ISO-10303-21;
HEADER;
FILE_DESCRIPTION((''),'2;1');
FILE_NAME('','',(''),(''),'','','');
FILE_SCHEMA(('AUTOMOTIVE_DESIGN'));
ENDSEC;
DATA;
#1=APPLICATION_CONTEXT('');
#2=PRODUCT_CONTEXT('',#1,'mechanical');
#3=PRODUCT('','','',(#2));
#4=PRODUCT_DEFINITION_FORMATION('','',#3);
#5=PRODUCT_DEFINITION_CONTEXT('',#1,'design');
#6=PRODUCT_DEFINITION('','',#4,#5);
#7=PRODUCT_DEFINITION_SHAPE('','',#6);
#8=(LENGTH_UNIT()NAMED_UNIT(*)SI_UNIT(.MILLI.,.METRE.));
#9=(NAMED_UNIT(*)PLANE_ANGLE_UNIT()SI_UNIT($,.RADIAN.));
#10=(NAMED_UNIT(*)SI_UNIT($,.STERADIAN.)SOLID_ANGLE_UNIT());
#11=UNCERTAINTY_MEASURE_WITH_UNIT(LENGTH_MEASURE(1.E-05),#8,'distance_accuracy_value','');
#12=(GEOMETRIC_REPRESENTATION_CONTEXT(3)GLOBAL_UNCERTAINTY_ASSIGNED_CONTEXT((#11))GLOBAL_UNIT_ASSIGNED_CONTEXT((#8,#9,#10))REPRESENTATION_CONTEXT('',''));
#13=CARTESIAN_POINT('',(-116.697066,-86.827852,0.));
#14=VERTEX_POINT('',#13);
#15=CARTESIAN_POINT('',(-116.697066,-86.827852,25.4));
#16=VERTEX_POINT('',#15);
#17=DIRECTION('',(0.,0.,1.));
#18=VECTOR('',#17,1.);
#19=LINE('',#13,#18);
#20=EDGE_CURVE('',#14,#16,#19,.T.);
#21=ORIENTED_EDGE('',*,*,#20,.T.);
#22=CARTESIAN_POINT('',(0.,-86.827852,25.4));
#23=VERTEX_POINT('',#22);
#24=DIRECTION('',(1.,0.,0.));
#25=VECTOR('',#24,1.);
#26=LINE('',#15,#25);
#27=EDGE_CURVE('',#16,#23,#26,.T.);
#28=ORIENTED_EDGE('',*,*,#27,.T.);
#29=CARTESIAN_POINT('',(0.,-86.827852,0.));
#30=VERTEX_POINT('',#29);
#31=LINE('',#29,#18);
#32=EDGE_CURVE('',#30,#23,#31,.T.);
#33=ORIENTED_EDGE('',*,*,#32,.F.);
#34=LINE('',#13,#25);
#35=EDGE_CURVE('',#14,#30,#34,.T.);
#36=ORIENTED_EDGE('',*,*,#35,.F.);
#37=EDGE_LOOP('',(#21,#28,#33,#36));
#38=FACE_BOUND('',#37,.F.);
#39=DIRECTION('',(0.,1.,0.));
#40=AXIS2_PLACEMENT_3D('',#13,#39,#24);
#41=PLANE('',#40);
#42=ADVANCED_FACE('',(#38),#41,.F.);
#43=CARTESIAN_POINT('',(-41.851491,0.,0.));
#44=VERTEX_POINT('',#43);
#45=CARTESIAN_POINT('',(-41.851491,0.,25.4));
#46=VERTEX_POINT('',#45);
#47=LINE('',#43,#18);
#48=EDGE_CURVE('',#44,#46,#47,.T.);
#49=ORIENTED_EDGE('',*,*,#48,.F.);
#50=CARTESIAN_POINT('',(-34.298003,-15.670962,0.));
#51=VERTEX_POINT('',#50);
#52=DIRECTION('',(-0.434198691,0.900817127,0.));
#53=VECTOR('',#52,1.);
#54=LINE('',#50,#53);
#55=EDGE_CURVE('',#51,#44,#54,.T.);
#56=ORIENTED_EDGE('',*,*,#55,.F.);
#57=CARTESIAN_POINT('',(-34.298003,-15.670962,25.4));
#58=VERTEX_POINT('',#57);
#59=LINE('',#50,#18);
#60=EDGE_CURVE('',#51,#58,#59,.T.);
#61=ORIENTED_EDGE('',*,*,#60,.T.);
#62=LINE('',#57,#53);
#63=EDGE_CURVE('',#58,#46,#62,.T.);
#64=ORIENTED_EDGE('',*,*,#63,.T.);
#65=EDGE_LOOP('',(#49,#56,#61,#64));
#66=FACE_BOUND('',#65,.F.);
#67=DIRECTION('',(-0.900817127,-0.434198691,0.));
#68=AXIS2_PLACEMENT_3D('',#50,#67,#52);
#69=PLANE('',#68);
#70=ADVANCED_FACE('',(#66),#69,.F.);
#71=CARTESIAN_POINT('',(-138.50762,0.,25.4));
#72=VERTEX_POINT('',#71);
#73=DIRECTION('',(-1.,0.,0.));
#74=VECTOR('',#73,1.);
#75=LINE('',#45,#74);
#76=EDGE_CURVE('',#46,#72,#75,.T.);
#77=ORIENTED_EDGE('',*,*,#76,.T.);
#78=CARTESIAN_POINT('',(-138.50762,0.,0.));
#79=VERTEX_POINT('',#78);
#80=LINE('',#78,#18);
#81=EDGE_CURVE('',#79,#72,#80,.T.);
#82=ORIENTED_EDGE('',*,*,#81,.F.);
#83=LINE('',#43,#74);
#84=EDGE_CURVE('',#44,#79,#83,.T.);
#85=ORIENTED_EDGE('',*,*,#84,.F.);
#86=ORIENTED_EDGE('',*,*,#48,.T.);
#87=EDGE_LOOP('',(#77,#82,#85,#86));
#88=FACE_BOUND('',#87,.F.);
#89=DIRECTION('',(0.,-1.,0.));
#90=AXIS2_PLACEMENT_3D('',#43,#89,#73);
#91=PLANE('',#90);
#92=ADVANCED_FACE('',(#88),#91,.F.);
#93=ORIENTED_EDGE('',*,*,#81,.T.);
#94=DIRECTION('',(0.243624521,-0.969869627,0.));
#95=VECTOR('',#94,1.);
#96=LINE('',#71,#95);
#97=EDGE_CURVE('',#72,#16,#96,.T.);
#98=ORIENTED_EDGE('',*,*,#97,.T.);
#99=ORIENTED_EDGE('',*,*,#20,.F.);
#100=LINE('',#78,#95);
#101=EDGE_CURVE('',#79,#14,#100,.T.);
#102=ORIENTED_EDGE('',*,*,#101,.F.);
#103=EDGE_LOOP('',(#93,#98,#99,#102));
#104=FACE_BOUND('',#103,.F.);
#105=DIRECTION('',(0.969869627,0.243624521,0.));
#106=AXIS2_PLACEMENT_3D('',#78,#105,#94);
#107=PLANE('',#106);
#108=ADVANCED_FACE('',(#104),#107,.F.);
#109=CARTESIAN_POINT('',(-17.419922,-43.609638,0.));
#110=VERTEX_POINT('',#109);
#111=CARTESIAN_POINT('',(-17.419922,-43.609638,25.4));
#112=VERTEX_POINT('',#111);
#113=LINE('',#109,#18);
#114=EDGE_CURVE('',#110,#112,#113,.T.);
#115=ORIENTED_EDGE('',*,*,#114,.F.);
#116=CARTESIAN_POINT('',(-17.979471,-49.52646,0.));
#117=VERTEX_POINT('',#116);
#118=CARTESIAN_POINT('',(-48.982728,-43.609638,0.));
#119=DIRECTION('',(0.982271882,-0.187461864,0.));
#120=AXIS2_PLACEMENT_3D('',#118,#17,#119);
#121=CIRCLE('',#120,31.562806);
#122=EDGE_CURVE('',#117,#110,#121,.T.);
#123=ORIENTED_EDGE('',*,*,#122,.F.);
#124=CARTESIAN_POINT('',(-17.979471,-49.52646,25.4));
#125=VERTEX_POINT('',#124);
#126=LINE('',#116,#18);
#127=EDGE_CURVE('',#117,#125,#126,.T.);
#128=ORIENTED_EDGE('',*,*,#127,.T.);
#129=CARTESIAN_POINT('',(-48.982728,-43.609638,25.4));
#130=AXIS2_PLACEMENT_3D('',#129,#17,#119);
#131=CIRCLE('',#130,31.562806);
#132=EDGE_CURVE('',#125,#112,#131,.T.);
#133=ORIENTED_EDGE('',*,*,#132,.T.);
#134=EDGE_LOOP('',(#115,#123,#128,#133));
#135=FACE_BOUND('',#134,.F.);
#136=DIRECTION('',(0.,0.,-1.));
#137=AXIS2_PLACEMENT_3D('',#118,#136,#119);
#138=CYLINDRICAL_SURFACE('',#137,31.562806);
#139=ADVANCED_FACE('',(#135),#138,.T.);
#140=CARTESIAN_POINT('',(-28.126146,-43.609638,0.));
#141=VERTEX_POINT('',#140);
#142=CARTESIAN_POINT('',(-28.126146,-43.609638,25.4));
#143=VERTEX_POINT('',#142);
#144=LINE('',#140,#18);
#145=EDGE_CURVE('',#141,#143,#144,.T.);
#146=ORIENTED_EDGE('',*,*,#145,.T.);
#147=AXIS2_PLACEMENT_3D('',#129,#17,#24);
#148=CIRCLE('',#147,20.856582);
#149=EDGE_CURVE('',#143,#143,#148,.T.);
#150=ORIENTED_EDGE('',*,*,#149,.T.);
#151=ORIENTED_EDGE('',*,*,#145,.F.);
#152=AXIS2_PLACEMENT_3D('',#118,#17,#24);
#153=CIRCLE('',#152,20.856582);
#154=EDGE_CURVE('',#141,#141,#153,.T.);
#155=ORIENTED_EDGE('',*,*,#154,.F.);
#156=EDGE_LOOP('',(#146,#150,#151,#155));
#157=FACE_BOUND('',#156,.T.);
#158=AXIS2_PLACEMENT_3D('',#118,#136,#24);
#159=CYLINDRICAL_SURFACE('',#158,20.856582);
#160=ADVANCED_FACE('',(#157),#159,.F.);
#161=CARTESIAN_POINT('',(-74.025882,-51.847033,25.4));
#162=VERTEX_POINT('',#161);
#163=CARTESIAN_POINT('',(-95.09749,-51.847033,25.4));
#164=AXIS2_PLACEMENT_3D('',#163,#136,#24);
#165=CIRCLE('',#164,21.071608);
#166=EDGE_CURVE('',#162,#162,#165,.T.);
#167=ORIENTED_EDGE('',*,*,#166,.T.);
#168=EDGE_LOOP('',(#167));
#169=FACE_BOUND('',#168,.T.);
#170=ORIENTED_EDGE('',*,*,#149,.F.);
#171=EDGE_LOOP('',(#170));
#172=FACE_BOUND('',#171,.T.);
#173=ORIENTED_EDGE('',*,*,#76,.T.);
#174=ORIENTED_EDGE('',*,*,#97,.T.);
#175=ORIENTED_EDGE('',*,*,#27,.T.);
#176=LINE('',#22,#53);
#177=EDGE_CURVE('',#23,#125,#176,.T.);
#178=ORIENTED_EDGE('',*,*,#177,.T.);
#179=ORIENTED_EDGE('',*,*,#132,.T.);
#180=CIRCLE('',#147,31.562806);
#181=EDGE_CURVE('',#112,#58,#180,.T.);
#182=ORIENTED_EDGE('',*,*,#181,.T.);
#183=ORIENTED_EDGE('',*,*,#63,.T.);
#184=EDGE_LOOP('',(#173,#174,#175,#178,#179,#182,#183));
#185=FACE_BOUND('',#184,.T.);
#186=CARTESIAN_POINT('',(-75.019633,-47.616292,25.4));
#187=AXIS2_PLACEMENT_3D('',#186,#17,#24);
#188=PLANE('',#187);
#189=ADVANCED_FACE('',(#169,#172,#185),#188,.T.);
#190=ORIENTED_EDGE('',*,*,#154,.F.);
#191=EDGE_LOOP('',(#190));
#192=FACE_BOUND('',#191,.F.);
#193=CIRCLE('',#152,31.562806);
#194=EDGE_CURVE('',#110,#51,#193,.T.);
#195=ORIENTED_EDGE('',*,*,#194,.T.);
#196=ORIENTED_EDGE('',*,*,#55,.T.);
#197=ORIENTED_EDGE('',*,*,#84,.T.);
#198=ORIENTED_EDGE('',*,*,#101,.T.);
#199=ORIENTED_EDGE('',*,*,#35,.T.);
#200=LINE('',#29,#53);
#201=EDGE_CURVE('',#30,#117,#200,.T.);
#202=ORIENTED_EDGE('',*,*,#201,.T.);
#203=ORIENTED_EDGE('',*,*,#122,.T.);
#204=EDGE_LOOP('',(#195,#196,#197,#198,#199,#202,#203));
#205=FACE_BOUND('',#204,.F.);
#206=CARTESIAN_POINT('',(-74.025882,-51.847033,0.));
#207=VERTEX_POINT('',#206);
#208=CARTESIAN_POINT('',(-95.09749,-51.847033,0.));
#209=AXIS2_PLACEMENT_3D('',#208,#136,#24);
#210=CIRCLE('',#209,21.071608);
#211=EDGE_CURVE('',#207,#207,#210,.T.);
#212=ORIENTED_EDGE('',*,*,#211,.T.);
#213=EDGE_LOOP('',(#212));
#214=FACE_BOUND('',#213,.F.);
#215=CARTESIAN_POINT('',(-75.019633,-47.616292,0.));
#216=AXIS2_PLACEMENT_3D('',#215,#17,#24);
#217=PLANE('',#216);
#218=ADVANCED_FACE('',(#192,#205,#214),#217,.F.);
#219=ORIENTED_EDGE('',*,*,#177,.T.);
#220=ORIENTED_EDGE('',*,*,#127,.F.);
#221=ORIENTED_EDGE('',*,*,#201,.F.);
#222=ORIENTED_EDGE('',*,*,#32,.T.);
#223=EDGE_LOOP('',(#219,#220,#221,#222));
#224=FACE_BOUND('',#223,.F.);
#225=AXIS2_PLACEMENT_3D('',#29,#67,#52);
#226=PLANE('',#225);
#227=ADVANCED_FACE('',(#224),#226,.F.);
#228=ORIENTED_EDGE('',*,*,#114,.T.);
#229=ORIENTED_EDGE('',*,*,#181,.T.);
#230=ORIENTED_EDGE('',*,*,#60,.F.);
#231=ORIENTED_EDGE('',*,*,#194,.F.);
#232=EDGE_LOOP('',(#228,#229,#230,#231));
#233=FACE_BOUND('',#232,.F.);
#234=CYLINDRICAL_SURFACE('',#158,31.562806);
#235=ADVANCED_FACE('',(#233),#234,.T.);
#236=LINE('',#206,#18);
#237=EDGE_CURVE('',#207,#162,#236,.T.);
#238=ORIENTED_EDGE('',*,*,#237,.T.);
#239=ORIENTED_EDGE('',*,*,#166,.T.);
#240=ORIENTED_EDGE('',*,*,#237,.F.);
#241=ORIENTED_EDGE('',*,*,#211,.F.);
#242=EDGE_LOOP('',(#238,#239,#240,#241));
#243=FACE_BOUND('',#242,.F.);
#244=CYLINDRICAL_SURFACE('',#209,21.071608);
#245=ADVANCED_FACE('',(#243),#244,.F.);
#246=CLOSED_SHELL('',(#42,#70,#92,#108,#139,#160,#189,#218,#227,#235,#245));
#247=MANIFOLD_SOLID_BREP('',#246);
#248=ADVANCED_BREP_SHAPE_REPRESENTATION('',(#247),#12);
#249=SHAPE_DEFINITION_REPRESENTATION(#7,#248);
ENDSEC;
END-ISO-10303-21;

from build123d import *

# Parameters (mm, degrees)
F0_R     = 20.8565821632
F1_DEPTH = 25.4


with BuildPart() as f1:
    # F0 (on Top) → F1 (new body)
    with BuildSketch(Plane.XY):
        with BuildLine():
            Line((-41.851490736, 0), (-138.5076195002, 0))
            Line((-138.5076195002, 0), (-116.6970655322, -86.8278518319))
            Line((-116.6970655322, -86.8278518319), (0, -86.8278518319))
            Line((0, -86.8278518319), (-17.9794709813, -49.5264602942))
            ThreePointArc((-17.9794709813, -49.5264602942), (-43.2116401305, -74.6403530851), (-75.7857334668, -60.2772609946))
            ThreePointArc((-75.7857334668, -60.2772609946), (-115.8407580084, -55.5523652684), (-79.8986506619, -37.2522409479))
            ThreePointArc((-79.8986506619, -37.2522409479), (-62.4846109467, -15.0805313011), (-34.2980027941, -15.6709622596))
            Line((-34.2980027941, -15.6709622596), (-41.851490736, 0))
        make_face()
        with BuildLine():
            ThreePointArc((-17.4199218149, -43.6096377671), (-21.9669745384, -27.2891046366), (-34.2980027941, -15.6709622596))
            Line((-34.2980027941, -15.6709622596), (-17.9794709813, -49.5264602942))
            ThreePointArc((-17.9794709813, -49.5264602942), (-17.5601204804, -46.5812486134), (-17.4199218149, -43.6096377671))
        make_face()
        with BuildLine():
            Line((-17.9794709813, -49.5264602942), (-34.2980027941, -15.6709622596))
            ThreePointArc((-34.2980027941, -15.6709622596), (-62.4846109467, -15.0805313011), (-79.8986506619, -37.2522409479))
            ThreePointArc((-79.8986506619, -37.2522409479), (-75.5491310736, -43.9810085097), (-74.0258815603, -51.8470332026))
            ThreePointArc((-74.0258815603, -51.8470332026), (-74.4705361025, -56.1530121668), (-75.7857334668, -60.2772609946))
            ThreePointArc((-75.7857334668, -60.2772609946), (-43.2116401305, -74.6403530851), (-17.9794709813, -49.5264602942))
        make_face()
        with Locations((-48.9827282727, -43.6096377671)):
            Circle(F0_R, mode=Mode.SUBTRACT)
    extrude(amount=F1_DEPTH)


solid = f1.part
